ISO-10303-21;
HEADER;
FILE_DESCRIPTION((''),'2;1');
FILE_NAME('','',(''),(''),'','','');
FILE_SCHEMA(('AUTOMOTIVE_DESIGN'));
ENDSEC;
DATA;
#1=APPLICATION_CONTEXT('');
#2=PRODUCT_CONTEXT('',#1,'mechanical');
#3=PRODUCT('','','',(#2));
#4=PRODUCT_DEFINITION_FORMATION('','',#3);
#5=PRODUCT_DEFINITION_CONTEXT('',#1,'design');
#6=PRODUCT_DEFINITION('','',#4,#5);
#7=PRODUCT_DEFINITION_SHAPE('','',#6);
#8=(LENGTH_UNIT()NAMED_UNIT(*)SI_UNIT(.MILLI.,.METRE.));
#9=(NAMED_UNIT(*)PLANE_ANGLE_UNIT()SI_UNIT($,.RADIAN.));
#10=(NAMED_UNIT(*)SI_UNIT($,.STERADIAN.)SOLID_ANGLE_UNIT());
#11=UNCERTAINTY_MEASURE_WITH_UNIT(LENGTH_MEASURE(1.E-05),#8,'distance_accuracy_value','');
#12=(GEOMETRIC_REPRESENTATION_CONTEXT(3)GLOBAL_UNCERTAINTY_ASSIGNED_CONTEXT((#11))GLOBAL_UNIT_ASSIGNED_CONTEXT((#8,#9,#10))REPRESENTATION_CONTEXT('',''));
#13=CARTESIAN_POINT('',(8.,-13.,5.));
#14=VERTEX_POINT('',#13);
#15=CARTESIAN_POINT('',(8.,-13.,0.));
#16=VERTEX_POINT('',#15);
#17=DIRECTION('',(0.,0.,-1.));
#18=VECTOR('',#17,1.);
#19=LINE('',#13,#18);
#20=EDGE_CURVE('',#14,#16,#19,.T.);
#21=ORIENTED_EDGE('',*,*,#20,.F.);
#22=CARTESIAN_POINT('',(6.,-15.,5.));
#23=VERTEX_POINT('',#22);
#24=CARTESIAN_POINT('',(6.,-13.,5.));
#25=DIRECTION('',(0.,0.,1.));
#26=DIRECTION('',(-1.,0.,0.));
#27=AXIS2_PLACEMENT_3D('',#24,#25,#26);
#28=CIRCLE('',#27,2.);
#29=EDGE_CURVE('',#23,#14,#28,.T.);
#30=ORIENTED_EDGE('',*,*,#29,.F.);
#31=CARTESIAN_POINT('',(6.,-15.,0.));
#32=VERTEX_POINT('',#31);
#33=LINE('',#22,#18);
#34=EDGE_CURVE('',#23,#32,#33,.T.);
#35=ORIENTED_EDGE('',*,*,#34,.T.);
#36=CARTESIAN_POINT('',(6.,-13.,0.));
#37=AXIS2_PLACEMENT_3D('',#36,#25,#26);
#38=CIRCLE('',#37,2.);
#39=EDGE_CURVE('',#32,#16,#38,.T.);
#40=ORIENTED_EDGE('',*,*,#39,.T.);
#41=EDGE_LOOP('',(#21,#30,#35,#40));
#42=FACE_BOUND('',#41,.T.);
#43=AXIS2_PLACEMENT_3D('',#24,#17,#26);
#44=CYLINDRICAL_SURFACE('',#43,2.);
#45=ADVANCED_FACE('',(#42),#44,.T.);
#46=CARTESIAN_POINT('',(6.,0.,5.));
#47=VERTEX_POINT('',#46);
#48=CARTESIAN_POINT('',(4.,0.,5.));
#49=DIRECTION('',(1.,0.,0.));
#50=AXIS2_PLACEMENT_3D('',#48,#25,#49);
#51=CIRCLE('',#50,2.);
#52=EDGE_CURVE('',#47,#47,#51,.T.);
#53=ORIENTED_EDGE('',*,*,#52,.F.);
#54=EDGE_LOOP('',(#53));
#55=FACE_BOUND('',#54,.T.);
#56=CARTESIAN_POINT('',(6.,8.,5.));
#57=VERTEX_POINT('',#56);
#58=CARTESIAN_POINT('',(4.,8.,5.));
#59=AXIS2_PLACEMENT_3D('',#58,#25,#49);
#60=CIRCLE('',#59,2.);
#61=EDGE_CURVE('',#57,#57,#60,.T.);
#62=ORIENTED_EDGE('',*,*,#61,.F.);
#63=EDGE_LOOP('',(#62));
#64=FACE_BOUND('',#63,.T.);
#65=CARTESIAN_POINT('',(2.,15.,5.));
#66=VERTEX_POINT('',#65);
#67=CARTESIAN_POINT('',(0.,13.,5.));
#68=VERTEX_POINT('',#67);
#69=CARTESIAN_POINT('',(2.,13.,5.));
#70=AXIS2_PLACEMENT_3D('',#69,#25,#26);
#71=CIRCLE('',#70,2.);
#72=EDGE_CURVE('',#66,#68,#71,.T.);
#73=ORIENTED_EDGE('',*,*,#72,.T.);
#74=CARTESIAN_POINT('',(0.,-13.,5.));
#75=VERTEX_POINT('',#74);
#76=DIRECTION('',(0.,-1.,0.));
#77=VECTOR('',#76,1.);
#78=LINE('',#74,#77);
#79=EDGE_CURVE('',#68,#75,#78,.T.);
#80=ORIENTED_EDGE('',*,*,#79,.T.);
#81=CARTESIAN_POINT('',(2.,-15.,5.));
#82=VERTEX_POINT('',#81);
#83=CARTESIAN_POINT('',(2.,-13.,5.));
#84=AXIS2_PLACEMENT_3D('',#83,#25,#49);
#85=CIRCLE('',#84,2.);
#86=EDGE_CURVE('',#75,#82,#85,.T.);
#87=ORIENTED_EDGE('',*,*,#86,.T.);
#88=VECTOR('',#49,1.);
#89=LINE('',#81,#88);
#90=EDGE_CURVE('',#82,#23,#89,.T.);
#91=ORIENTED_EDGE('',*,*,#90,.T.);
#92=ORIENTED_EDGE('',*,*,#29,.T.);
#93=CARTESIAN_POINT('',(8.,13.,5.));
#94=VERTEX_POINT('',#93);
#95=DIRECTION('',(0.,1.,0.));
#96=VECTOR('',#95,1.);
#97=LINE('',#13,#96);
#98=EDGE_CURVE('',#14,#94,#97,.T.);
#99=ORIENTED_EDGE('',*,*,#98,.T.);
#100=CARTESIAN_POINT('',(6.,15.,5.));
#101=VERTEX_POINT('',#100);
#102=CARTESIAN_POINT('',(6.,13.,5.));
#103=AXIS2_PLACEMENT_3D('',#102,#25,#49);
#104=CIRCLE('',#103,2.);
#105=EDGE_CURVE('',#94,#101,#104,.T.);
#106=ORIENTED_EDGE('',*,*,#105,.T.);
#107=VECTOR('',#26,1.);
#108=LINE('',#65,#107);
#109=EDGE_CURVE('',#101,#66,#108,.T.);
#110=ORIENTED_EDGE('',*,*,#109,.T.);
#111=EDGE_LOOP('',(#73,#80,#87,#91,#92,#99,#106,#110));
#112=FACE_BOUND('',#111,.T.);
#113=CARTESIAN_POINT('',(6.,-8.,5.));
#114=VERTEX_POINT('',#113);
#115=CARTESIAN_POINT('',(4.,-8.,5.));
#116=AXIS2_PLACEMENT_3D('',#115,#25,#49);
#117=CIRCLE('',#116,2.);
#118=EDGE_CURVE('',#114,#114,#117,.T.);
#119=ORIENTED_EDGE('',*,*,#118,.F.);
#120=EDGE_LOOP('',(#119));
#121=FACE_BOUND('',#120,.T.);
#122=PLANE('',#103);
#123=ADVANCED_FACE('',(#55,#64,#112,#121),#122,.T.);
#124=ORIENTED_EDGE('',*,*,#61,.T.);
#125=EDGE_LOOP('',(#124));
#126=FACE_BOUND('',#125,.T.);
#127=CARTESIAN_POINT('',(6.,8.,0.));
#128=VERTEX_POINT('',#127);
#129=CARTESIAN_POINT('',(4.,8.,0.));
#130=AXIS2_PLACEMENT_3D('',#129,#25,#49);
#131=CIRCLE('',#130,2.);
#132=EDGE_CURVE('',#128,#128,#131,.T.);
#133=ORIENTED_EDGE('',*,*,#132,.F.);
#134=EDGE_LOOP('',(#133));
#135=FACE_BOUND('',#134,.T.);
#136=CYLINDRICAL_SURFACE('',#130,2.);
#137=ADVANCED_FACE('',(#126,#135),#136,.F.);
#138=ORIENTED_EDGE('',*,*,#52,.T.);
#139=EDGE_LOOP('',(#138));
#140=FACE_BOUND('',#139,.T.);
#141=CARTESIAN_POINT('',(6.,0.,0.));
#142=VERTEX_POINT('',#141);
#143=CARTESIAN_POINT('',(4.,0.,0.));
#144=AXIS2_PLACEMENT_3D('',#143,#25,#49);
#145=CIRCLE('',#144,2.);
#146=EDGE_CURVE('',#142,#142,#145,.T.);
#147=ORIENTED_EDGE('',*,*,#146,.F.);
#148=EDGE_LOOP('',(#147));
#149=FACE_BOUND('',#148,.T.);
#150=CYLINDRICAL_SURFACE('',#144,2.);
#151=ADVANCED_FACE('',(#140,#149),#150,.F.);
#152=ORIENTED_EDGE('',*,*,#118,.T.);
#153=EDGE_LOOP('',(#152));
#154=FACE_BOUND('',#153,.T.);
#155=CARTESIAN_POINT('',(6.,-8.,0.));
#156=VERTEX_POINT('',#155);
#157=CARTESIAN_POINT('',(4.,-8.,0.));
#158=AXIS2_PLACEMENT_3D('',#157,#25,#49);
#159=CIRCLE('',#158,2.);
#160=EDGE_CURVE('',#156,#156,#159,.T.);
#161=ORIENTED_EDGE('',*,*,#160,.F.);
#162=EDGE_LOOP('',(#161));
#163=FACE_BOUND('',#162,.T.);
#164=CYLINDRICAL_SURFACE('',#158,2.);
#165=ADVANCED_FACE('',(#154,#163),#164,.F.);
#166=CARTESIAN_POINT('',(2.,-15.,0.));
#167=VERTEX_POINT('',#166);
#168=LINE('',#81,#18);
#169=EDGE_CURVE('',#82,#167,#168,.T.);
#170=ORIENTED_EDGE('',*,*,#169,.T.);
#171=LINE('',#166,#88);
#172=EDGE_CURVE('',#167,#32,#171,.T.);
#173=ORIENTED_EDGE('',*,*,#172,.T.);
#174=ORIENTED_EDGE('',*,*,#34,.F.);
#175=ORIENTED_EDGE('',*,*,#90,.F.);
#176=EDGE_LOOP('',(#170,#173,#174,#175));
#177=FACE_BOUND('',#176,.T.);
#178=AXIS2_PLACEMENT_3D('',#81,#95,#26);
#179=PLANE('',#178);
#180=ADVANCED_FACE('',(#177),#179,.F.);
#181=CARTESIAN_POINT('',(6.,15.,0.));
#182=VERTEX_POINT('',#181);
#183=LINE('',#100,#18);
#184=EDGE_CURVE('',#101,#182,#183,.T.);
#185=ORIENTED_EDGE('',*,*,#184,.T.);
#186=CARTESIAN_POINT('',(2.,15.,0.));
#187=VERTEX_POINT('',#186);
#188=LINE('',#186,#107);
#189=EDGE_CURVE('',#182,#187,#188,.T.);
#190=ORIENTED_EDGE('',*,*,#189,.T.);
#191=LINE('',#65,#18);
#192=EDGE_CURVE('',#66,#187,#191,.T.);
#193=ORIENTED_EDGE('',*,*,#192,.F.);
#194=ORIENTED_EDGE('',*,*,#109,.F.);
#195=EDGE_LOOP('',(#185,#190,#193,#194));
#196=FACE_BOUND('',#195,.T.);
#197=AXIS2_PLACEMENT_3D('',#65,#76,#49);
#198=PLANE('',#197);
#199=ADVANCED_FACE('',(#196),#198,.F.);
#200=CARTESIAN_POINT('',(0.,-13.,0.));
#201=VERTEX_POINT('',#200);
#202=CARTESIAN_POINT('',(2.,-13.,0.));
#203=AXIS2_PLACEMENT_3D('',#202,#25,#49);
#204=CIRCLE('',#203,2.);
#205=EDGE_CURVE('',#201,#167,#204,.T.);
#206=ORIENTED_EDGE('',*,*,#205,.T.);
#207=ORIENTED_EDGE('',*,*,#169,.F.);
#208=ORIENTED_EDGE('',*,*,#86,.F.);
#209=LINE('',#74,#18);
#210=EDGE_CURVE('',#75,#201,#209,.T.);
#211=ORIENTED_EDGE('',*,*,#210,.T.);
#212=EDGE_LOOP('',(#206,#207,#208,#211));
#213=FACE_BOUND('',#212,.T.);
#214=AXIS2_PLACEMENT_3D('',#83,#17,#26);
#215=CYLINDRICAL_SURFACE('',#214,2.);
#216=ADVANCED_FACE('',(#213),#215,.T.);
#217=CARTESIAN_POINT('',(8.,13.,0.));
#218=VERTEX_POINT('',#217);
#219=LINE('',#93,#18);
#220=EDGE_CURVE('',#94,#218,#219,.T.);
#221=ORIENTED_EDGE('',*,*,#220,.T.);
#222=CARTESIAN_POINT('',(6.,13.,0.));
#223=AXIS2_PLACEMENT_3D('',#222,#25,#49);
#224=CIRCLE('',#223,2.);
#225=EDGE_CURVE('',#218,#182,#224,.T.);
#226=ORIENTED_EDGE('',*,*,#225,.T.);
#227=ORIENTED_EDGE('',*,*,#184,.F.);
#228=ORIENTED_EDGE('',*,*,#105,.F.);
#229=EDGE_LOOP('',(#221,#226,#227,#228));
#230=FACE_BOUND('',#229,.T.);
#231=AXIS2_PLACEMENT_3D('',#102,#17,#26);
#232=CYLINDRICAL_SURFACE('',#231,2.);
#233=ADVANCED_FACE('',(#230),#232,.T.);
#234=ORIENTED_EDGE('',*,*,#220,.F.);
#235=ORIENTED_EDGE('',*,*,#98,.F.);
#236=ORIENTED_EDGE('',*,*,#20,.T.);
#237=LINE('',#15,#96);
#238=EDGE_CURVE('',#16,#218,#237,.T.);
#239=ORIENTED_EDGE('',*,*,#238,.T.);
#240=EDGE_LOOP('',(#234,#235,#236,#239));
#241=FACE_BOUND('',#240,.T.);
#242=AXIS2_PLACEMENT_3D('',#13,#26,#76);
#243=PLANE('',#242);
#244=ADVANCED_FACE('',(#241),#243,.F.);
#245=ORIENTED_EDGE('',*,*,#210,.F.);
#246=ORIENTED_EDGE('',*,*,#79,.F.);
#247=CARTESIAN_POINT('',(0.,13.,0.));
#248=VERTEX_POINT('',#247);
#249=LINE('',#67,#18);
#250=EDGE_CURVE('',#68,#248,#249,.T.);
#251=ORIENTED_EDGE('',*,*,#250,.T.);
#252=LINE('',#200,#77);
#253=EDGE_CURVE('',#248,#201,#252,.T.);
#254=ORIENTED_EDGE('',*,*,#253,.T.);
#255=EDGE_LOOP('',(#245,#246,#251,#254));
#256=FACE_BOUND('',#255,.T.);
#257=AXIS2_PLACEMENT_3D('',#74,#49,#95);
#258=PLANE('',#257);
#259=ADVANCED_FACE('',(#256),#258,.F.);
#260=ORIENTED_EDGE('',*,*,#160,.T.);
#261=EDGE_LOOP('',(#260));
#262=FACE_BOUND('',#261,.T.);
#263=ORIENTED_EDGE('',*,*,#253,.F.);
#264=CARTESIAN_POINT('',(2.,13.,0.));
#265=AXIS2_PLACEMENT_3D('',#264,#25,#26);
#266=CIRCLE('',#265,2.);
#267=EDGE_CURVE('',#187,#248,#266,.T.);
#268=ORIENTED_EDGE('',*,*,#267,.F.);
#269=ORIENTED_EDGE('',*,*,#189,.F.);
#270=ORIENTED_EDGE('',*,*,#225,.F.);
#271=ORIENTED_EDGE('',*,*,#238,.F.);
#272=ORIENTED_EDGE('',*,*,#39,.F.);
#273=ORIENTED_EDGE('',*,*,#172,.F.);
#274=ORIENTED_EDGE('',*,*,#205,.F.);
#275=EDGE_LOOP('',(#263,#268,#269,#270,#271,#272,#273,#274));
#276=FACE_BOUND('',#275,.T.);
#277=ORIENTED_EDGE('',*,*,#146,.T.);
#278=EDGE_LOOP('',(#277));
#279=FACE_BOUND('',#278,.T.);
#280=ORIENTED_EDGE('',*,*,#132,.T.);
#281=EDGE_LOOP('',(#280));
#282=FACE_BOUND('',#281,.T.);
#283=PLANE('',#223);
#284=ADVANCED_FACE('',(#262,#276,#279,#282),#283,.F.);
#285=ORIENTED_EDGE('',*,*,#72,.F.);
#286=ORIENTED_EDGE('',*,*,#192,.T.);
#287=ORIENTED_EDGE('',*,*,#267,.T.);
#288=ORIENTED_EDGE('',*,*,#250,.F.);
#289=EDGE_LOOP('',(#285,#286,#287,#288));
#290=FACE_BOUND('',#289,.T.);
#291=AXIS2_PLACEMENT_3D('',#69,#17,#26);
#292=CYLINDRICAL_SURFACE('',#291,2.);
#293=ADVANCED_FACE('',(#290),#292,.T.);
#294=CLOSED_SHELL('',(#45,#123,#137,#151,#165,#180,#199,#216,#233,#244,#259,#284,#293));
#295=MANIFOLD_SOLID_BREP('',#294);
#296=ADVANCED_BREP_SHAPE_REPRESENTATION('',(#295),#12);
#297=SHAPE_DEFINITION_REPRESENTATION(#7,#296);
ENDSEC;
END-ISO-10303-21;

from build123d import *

# Parameters (mm, degrees)
BOSS_EXTRUDE1_DEPTH = 5
SKETCH3_R           = 2
CUT_EXTRUDE2_DEPTH  = 6


with BuildPart() as part:
    # Sketch1 → Boss-Extrude1 (new body)
    with BuildSketch(Plane.XY):
        with BuildLine():
            Line((0, -13), (0, 13))
            ThreePointArc((0, 13), (0.585786438, 14.414213562), (2, 15))
            Line((2, 15), (6, 15))
            ThreePointArc((6, 15), (7.414213562, 14.414213562), (8, 13))
            Line((8, 13), (8, -13))
            ThreePointArc((8, -13), (7.414213562, -14.414213562), (6, -15))
            Line((6, -15), (2, -15))
            ThreePointArc((2, -15), (0.585786438, -14.414213562), (0, -13))
        make_face()
    extrude(amount=BOSS_EXTRUDE1_DEPTH)

    # Sketch3 → Cut-Extrude2 (cut, through all)
    with BuildSketch(Plane.XY.offset(5)):
        with Locations((4, 0)):
            Circle(SKETCH3_R)
        with Locations((4, 8)):
            Circle(SKETCH3_R)
        with Locations((4, -8)):
            Circle(SKETCH3_R)
    extrude(amount=-CUT_EXTRUDE2_DEPTH, mode=Mode.SUBTRACT)


solid = part.part
